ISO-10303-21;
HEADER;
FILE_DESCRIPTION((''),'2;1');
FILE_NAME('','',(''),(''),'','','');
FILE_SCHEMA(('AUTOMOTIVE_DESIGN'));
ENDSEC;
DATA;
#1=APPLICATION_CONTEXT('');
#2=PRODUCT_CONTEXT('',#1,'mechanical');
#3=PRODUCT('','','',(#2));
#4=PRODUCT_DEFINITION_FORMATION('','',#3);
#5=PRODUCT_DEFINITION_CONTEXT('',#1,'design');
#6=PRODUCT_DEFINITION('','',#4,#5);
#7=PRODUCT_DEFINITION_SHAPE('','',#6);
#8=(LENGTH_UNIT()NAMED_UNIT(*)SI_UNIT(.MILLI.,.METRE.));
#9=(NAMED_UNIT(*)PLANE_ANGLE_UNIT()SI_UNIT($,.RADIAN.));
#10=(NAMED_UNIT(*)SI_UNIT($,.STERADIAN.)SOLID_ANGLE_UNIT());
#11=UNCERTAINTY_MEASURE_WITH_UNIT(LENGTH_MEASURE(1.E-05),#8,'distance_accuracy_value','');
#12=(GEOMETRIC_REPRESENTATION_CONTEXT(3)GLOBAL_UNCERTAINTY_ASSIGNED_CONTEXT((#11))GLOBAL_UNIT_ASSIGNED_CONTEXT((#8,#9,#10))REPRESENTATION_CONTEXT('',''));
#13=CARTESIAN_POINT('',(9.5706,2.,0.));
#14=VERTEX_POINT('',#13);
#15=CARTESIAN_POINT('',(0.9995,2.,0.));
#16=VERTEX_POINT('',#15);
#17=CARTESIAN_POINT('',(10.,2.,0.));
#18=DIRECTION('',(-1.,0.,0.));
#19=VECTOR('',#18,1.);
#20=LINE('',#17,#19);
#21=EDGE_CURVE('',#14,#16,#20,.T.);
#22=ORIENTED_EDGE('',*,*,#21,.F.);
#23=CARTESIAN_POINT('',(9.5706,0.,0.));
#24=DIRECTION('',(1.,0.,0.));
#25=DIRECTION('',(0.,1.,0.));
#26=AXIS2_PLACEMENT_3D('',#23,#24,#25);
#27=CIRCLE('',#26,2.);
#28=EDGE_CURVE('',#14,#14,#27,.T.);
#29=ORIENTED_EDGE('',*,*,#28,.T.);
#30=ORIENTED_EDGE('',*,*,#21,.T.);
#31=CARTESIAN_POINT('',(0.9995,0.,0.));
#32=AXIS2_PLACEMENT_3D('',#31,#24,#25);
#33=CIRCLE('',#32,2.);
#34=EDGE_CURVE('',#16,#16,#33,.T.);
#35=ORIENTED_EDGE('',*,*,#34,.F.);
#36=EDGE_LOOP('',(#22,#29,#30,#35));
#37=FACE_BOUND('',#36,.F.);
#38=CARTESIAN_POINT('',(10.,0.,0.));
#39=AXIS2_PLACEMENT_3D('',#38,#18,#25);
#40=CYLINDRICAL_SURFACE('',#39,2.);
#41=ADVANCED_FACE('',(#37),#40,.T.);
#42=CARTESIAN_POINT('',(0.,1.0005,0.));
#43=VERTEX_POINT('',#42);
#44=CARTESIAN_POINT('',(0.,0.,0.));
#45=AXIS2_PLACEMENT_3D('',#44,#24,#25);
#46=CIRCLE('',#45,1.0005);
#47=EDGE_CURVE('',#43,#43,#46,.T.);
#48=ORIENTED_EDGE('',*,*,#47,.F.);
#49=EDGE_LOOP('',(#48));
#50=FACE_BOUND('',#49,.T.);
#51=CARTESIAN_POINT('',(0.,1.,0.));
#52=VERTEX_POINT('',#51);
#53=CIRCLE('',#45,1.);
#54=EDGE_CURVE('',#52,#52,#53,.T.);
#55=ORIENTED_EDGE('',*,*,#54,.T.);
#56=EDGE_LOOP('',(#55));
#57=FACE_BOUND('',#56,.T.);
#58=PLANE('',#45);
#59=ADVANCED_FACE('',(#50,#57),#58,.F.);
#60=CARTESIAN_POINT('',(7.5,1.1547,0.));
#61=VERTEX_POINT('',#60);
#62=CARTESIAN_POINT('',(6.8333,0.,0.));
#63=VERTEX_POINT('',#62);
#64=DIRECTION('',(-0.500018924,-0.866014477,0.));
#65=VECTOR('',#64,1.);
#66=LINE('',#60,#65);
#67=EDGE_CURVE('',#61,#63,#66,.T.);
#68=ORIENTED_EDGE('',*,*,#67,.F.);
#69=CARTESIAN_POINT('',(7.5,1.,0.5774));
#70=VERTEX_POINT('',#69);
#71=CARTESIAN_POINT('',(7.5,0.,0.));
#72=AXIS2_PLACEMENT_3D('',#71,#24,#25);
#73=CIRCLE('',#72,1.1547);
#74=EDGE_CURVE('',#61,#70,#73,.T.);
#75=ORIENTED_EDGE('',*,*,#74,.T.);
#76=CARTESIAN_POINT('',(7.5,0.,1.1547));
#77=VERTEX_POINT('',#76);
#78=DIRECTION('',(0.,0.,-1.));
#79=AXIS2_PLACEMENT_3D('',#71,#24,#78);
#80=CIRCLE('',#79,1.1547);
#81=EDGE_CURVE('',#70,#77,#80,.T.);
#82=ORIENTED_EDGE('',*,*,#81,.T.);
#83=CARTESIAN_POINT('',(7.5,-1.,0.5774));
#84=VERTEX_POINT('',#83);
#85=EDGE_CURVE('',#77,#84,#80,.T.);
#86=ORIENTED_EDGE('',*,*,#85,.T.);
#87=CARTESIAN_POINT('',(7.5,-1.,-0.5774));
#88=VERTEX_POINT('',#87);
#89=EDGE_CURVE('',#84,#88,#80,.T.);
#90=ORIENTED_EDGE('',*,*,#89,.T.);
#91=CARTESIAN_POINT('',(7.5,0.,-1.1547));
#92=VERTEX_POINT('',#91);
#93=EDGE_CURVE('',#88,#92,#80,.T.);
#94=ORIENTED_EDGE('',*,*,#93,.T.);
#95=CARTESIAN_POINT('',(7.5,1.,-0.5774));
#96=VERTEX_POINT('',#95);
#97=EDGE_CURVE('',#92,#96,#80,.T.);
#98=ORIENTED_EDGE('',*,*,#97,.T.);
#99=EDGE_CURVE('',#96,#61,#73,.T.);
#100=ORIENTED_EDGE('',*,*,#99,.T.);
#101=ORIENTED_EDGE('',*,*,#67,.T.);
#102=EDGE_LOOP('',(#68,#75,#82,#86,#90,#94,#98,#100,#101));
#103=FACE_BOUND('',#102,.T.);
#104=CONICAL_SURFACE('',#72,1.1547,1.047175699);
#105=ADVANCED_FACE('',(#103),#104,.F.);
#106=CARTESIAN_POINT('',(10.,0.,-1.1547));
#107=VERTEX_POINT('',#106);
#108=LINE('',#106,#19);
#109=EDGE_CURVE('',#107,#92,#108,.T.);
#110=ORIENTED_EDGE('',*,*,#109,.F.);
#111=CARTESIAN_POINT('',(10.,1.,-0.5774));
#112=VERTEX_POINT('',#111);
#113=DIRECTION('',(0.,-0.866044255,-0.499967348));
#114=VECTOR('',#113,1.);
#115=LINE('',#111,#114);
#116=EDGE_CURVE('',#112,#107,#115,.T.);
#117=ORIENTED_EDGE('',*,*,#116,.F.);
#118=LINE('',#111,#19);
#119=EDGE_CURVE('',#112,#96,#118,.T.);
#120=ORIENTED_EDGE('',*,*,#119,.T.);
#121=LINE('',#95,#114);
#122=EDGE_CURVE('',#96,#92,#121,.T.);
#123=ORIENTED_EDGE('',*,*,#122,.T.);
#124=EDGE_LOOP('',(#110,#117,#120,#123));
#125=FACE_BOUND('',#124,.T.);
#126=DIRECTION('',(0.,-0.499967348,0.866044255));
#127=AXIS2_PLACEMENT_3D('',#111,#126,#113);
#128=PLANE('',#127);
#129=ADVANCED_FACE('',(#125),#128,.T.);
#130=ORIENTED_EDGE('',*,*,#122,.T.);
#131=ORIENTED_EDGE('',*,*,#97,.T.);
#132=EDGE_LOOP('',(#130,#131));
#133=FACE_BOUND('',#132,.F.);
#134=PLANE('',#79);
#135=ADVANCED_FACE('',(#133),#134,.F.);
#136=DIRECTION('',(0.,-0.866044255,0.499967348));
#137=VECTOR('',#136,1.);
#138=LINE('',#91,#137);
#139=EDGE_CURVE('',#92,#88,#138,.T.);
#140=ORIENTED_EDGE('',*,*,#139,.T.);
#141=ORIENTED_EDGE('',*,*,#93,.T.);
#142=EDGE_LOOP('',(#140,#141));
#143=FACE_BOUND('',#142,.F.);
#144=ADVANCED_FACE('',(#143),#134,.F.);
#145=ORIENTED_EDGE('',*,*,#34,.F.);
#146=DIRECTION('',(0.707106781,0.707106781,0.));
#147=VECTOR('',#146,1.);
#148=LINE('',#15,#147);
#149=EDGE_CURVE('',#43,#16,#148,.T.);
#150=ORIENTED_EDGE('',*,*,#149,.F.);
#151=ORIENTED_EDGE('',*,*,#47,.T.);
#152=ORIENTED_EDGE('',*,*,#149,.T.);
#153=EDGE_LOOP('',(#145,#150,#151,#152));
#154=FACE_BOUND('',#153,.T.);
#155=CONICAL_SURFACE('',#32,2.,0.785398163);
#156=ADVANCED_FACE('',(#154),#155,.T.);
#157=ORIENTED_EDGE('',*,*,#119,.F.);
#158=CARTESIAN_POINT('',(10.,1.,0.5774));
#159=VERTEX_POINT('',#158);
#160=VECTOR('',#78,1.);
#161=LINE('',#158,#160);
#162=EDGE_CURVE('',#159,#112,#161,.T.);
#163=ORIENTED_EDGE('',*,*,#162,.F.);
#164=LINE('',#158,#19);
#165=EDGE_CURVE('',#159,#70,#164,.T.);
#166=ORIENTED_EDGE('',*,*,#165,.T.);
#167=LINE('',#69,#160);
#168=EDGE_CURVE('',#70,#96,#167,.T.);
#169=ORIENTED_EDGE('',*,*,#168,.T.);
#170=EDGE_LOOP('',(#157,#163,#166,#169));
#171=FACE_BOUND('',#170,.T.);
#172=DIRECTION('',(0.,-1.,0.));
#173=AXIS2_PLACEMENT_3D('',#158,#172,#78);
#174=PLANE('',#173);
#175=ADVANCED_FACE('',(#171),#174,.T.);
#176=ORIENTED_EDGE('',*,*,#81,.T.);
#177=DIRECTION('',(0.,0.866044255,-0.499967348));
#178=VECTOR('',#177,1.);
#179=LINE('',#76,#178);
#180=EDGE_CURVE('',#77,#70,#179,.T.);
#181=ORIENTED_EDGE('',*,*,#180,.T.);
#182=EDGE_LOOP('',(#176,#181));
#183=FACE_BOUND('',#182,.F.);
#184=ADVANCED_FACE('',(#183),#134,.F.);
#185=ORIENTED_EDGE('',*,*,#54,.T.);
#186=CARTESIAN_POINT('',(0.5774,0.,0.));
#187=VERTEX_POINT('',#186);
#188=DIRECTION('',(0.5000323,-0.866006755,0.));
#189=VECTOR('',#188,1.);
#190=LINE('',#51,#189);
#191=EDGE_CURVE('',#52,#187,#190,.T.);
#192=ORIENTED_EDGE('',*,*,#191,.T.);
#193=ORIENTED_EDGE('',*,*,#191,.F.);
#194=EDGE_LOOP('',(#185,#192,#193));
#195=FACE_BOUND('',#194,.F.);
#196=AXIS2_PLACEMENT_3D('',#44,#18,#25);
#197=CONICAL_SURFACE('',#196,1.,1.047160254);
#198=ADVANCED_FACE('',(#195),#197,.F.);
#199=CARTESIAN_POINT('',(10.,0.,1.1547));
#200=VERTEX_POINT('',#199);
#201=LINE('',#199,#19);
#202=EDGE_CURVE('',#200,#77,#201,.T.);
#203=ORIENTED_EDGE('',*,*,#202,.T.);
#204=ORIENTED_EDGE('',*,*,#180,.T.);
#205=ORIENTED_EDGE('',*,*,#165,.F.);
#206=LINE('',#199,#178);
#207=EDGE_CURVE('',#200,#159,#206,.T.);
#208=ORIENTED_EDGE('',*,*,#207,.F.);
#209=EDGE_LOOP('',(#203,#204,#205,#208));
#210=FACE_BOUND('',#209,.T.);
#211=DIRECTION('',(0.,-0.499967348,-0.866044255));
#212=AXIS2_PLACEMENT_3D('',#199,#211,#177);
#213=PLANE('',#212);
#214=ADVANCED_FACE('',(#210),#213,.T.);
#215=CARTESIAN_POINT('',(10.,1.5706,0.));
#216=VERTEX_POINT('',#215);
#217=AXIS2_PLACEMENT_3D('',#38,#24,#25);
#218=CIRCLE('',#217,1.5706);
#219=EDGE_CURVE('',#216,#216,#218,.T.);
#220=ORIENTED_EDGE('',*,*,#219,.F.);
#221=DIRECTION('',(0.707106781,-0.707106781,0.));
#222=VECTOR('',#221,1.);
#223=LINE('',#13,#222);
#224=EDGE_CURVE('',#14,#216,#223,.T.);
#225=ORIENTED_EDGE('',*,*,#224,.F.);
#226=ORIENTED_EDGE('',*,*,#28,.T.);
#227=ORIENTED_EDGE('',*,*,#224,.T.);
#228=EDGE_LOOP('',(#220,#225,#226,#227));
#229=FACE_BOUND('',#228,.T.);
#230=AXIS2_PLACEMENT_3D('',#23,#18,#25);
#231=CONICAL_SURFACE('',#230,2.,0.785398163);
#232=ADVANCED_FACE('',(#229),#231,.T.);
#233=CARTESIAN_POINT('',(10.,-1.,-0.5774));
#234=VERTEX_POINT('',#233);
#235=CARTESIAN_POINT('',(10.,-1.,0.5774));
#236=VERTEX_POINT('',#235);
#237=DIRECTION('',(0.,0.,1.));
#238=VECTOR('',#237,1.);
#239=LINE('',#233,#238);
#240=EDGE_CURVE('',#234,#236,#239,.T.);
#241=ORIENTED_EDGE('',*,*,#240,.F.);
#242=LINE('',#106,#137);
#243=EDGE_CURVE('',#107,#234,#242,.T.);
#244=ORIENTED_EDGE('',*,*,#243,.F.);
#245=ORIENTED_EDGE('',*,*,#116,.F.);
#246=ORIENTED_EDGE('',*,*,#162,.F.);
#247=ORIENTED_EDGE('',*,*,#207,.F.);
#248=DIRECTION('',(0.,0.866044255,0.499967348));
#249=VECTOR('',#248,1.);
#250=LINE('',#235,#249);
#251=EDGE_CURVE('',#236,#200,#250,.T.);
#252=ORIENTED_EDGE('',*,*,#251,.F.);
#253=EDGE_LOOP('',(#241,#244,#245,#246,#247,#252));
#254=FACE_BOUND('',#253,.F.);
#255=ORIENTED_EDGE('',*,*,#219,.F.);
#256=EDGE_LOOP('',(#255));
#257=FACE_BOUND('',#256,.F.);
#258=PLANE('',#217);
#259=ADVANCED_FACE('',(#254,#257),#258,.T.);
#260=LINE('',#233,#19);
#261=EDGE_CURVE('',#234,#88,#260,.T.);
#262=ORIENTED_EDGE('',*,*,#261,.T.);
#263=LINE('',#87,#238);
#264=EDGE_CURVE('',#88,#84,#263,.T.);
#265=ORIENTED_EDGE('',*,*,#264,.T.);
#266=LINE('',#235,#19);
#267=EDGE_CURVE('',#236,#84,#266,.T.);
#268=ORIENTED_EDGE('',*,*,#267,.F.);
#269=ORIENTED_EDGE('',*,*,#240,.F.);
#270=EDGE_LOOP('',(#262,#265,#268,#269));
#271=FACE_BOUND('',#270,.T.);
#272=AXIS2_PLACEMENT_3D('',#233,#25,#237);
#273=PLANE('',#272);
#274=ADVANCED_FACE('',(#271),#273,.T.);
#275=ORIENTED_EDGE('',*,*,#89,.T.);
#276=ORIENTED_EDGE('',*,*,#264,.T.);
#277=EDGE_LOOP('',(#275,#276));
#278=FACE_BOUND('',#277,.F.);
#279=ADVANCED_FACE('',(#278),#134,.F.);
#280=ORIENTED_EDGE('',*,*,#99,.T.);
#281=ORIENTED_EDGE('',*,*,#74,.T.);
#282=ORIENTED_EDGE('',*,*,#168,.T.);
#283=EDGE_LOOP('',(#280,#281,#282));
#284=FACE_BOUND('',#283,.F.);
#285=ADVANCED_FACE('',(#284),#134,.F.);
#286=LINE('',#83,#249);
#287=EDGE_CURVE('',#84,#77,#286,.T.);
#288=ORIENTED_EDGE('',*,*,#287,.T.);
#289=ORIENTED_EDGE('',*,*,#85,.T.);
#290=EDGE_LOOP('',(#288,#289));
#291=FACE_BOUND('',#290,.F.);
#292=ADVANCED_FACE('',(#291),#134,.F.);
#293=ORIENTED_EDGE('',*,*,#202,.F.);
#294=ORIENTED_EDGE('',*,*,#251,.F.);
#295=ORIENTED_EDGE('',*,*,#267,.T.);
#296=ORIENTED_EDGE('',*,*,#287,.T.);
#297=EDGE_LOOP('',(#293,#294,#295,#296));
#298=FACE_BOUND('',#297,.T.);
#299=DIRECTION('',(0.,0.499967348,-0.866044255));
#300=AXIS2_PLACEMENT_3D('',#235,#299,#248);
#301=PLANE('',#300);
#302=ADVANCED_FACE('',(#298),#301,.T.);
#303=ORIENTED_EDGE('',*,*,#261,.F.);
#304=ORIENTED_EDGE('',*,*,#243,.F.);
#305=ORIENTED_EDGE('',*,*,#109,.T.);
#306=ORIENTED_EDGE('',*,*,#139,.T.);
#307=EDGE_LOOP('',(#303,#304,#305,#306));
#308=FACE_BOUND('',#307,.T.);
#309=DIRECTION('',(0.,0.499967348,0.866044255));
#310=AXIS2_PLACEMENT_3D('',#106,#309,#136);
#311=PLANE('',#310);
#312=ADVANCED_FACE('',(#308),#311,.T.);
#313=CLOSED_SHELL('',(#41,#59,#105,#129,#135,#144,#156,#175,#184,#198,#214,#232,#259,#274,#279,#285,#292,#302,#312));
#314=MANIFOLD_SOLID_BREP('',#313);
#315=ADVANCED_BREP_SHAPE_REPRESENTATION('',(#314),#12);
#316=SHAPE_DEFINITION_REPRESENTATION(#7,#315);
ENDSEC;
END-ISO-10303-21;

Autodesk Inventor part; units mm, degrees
ref_plane "YZ Plane" through (0, 0, 0) normal (1, 0, 0) x (0, 1, 0)
ref_plane "XZ Plane" through (0, 0, 0) normal (0, 1, 0) x (-1, 0, 0)
sketch "Skizze1" plane through (0, 0, 0) normal (0, 0, 1) x (1, 0, 0)
  line L0 (0.5774, 0) -> (6.8333, 0)
  line L1 (10, 1.1547) -> (10, 2)
  line L2 (10, 2) -> (0, 2)
  line L3 (10, 1.1547) -> (7.5, 1.1547)
  line L4 (7.5, 1.1547) -> (6.8333, 0)
  line L5 (0, 1) -> (0.5774, 0)
  line L6 (0, -0.4) -> (0, 2.4) projected
  line L7 (0, 1) -> (0, 2)
  point P0 (0, 0)
  dimension "d0" = 2.5
  dimension "d1" = 60
  dimension "d2" = 4
  dimension "d3" = 2.3094
  dimension "d4" = 10
  dimension "d5" = 60
  dimension "d7" = 2
revolve "Körper" add sketch "Skizze1" angle 360 about axis through (0.5774, 0, 0) along (1, 0, 0)
sketch "Skizze2" plane through (10, 0, 0) normal (1, 0, 0) x (0, 0, -1)
  circle A0 centre (0, 0) radius 1.1547 projected
  circle A1 centre (0, 0) radius 2 projected
  line L0 (1.1547, 0) -> (0.5774, -1)
  line L1 (0.5774, -1) -> (-0.5774, -1)
  line L2 (-0.5774, -1) -> (-1.1547, 0)
  line L3 (-1.1547, 0) -> (-0.5774, 1)
  line L4 (-0.5774, 1) -> (0.5774, 1)
  line L5 (0.5774, 1) -> (1.1547, 0)
extrude "Loch" add sketch "Skizze2" against normal blind 2.5 contours L5 A0 | A0 L0 | L4 A0 | A0 L1 | L3 A0 | A0 L2
chamfer "Fase1" distance 1 angle 45 1 edges at (0, -2, 0) measured on face at (0, 1.6473, -0.1595)
thread "Gewinde" size "M4x0.7" class "6g" standard "ISO Metric profile" length 10
chamfer "Fase2" distance 0.4294 angle 45 1 edges at (10, -2, 0) measured on face at (6.9998, 1.9741, -0.3208)
ref_plane "Work Plane1" through (5, 0, 0) normal (0, -0.5, -0.866) x (1, 0, 0)
equation "\"d0\" = INTI"
equation "\"d2\" = NND"
equation "\"d3\" = 1.1547 * SW"
equation "\"d4\" = NLG"
equation "\"d5\" = 0.5 * ANG"
equation "\"d7\" = SPD"
equation "\"d8\" = INTI"
equation "\"d10\" = -0.5 * SPD + 0.5 * NND"
equation "\"d11\" = FAWI"
equation "\"d33\" = -0.5 * SPD + 0.5 * NND"
equation "\"d14\" = NLG"
equation "\"d12\" = -0.5 * GD1 + 0.5 * NND"
equation "\"d13\" = FAWI"
equation "\"d34\" = -0.5 * GD1 + 0.5 * NND"
equation "\"NND\" = 4"
equation "\"NLG\" = 10"
equation "\"INTI\" = 2.5"
equation "\"FAWI\" = 45deg"
equation "\"SW\" = 2"
equation "\"GD1\" = THREADDIA - 1.2269 * PTC"
equation "\"ANG\" = 120deg"
equation "\"FAWI1\" = 45deg"
equation "\"SPD\" = 2"
equation "\"GUL\" = 0.61345 * PTC"
equation "\"TOA\" = 30deg"
equation "\"THREADDIA\" = 4"
equation "\"PTC\" = 0.7"
equation "\"GAL\" = 0.61345 * PTC"
equation "\"E0\" = 1.155 * SW"
properties part number "ISO 4029 - M4 x 10" material "Edelstahl, 440C"
